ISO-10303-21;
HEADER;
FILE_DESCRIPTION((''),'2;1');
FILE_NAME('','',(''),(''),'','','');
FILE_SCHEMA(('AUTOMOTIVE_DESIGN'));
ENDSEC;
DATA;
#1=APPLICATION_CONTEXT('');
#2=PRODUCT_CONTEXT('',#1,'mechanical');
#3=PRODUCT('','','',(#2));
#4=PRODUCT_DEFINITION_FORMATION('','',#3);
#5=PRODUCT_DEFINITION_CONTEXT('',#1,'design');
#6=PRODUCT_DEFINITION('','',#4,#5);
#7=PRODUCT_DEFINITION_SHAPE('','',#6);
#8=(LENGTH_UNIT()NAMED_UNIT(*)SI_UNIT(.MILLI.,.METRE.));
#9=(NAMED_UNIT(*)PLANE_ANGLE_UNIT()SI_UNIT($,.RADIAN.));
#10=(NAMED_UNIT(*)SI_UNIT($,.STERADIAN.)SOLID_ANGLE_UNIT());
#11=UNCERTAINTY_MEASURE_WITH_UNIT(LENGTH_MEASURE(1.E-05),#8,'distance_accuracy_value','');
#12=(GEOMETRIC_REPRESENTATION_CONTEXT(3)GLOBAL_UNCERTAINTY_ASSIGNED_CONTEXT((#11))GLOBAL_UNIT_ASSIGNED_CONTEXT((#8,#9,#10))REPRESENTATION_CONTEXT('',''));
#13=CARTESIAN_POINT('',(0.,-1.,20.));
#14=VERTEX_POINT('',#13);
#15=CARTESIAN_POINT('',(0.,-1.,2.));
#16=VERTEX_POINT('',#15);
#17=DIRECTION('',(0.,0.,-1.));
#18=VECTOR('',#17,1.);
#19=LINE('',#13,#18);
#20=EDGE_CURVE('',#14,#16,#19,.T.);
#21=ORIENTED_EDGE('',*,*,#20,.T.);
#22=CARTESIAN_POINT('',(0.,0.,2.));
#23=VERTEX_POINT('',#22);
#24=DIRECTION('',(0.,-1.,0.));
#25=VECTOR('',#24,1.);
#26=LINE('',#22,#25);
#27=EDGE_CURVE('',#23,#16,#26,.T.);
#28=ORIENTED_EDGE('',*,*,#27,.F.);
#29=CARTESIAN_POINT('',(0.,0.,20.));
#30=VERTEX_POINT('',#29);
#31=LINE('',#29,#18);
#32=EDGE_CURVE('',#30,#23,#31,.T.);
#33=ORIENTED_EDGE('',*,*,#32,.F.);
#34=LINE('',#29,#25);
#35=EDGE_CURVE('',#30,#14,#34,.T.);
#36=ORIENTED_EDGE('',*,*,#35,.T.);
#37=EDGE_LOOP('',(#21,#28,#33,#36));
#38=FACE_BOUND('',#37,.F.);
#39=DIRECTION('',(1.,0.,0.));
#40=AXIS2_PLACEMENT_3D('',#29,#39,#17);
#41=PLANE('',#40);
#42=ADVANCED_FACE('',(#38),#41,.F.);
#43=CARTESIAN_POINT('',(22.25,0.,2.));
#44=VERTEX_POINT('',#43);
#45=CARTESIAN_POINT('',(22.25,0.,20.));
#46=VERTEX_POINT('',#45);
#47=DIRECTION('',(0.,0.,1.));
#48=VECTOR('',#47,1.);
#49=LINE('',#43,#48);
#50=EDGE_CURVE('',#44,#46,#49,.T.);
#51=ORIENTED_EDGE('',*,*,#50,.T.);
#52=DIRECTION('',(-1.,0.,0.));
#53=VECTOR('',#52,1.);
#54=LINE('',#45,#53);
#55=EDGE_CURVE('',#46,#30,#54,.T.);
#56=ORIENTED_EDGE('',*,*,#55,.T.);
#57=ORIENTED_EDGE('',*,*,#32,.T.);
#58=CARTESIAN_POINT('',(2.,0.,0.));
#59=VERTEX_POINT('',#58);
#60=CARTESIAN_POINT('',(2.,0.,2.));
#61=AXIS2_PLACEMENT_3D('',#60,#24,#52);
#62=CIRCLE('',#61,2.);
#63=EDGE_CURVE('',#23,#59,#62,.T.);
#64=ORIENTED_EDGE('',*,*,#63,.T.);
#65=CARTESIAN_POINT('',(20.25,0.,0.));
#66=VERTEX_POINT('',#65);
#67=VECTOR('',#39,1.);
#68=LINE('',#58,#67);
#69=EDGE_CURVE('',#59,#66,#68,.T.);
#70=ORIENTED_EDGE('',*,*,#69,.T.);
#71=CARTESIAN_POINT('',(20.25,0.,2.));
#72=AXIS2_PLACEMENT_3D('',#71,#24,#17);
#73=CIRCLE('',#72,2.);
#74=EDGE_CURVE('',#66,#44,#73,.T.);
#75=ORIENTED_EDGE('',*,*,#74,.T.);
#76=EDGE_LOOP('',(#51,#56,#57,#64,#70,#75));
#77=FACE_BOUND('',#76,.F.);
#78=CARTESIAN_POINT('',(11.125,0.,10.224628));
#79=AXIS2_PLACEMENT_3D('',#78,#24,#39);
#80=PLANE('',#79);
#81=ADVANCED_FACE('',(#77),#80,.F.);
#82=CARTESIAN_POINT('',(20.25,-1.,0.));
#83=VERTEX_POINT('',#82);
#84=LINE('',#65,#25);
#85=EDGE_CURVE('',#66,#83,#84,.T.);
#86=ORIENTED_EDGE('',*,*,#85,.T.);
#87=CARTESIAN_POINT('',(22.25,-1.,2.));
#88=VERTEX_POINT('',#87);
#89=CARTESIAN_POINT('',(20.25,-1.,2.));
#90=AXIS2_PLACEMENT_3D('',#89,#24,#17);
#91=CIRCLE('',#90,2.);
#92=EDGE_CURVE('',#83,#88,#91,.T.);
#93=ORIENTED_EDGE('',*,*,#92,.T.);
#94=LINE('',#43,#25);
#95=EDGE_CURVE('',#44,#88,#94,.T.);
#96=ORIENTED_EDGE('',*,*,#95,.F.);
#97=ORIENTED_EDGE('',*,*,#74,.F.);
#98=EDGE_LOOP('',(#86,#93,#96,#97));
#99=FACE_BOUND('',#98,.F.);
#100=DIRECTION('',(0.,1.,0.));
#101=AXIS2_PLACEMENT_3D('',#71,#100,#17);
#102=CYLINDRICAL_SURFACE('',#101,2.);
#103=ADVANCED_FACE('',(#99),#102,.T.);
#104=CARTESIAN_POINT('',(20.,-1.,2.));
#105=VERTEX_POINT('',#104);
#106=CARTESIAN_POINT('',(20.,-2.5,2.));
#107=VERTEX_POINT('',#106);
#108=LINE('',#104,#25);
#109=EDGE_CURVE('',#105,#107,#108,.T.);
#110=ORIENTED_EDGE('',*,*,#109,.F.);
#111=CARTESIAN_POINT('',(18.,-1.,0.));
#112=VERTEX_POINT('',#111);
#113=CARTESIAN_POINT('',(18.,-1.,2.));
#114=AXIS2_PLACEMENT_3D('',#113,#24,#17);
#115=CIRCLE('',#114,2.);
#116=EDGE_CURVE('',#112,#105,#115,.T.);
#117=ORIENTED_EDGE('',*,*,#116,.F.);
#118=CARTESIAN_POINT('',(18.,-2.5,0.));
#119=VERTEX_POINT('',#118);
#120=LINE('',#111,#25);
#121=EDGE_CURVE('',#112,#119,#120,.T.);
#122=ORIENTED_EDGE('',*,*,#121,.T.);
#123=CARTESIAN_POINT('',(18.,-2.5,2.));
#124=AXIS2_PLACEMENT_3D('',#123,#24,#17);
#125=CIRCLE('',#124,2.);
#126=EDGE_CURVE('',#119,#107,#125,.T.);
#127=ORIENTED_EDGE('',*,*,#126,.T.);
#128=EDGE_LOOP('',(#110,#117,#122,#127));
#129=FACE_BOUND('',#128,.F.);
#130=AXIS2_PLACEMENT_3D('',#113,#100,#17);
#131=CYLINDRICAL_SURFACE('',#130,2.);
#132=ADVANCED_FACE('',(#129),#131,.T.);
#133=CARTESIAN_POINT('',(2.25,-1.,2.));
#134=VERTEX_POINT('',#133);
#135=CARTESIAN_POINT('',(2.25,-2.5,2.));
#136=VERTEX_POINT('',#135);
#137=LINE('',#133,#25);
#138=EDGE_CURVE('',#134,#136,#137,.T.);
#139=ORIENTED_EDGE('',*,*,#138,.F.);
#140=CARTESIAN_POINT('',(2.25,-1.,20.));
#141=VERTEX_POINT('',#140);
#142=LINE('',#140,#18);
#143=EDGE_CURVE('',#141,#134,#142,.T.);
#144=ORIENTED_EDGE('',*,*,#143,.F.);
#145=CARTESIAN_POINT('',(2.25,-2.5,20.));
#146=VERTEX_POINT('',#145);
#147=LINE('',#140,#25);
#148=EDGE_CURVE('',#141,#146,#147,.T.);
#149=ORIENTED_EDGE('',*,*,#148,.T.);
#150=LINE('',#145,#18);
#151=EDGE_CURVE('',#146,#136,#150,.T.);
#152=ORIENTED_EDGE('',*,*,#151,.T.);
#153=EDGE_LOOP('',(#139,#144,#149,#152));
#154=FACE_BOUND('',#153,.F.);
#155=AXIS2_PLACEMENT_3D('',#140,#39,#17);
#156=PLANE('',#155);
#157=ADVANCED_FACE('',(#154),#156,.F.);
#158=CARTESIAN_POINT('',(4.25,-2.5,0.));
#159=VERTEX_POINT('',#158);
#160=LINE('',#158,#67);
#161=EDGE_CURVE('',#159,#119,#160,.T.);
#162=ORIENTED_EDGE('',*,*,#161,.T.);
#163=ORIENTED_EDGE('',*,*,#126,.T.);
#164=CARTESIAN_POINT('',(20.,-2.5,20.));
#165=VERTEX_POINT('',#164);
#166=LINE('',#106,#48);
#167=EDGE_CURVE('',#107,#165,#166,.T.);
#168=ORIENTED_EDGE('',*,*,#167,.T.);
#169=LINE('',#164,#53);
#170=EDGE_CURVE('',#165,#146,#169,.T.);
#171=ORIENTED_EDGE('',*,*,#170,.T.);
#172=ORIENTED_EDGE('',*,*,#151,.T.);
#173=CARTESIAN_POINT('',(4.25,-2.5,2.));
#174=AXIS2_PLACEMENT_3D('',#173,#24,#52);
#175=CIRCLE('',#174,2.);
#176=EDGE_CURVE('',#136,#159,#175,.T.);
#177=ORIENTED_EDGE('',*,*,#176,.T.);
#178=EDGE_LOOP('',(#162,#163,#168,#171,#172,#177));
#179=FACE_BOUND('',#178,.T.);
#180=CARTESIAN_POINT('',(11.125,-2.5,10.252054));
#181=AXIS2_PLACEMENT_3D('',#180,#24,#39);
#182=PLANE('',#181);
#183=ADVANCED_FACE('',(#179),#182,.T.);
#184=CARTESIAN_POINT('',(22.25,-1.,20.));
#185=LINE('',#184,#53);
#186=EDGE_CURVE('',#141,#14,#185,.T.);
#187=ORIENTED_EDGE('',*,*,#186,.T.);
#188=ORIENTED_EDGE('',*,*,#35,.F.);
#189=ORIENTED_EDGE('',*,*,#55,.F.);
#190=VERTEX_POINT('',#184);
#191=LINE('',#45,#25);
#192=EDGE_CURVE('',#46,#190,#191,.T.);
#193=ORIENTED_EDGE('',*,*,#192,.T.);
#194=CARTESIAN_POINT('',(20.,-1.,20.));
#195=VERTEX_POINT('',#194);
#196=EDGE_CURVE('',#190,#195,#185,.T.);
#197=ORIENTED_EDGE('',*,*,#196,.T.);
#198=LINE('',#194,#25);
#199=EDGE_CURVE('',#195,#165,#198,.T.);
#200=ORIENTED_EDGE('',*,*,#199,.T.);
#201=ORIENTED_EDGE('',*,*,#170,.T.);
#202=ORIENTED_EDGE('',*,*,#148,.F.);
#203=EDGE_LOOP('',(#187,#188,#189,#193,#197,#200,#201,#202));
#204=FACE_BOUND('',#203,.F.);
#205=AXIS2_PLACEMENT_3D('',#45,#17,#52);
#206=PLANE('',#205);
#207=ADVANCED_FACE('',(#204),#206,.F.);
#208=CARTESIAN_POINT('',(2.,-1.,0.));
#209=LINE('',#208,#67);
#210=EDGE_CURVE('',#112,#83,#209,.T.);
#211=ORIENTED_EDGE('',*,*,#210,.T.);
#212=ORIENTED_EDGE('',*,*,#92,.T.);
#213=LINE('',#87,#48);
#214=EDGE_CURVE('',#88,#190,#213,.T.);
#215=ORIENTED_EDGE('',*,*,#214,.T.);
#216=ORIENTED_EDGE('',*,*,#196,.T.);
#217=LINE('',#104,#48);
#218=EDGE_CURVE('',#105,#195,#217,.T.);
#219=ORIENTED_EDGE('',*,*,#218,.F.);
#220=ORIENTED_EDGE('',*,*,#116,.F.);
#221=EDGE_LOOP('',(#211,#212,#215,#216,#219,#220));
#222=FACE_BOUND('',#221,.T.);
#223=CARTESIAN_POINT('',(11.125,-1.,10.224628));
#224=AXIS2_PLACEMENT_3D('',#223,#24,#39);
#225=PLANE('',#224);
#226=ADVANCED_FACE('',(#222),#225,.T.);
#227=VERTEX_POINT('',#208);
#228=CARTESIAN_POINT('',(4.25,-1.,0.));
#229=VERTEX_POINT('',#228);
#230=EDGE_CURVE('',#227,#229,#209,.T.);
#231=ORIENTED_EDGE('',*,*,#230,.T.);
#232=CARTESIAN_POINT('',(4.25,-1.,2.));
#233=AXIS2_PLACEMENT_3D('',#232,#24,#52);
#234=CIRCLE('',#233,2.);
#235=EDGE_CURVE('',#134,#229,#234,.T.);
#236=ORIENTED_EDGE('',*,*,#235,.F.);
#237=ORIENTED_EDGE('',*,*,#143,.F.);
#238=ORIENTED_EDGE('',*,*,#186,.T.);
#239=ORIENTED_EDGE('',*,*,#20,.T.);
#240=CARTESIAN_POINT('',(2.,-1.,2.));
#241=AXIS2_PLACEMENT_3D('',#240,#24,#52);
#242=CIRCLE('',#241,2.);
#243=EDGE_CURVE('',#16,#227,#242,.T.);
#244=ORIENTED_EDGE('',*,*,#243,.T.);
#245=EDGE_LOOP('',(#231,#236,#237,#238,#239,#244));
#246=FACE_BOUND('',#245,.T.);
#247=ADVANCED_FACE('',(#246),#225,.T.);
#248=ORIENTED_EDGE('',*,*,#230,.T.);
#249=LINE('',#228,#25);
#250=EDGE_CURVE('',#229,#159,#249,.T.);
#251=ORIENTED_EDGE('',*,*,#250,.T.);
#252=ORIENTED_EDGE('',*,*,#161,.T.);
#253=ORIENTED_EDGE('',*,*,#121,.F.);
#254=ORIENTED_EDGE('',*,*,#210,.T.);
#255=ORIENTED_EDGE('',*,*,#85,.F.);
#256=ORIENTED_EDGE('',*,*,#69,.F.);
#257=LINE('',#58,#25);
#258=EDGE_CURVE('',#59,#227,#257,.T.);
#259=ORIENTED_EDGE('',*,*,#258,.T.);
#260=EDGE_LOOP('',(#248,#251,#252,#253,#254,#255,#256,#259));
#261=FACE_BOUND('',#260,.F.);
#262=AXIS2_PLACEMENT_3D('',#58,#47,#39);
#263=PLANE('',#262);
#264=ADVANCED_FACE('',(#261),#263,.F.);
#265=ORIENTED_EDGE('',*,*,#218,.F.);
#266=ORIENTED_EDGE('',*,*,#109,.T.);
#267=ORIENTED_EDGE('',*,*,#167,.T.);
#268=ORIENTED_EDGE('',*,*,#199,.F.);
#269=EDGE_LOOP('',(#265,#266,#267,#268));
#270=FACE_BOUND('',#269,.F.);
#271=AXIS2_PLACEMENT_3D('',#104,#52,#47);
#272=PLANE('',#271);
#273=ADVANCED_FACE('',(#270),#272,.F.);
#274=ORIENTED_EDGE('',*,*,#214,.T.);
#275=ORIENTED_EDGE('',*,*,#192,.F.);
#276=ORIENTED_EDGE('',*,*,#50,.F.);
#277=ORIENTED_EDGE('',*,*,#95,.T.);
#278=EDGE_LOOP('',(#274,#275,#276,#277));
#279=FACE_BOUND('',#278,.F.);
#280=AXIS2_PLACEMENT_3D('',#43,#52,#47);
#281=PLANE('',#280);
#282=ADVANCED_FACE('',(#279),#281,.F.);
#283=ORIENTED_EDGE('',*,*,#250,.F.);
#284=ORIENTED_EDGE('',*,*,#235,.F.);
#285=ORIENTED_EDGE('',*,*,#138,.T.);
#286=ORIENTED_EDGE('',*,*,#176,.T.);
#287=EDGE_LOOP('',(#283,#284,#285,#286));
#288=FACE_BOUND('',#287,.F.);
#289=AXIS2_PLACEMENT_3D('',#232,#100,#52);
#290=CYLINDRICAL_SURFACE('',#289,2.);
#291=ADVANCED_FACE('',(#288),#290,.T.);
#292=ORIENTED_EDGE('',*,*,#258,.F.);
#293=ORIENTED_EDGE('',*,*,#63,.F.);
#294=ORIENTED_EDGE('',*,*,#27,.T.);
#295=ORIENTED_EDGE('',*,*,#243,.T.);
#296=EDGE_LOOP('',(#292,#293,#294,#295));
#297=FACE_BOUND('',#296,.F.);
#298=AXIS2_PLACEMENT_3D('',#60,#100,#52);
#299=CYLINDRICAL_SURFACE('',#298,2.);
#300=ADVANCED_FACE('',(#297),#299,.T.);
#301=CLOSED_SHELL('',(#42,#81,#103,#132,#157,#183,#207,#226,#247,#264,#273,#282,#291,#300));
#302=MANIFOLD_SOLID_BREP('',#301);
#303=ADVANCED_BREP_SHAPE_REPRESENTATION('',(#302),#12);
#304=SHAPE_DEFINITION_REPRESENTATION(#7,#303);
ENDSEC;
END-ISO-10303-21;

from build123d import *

# Parameters (mm, degrees)
F1_DEPTH = 1
F3_DEPTH = 1.5


with BuildPart() as f1:
    # F0 (on Front) → F1 (new body)
    with BuildSketch(Plane.XZ):
        with BuildLine():
            ThreePointArc((0, 2), (0.5857864376, 0.5857864376), (2, 0))
            Line((2, 0), (20.25, 0))
            ThreePointArc((20.25, 0), (21.6642135624, 0.5857864376), (22.25, 2))
            Line((22.25, 2), (22.25, 20))
            Line((22.25, 20), (0, 20))
            Line((0, 20), (0, 2))
        make_face()
    extrude(amount=F1_DEPTH)

    # F2 (on face) → F3 (join)
    with BuildSketch(Plane.XZ.offset(1)):
        with BuildLine():
            Line((20, 20), (2.25, 20))
            Line((2.25, 20), (2.25, 2))
            ThreePointArc((2.25, 2), (2.8357864376, 0.5857864376), (4.25, 0))
            Line((4.25, 0), (18, 0))
            ThreePointArc((18, 0), (19.4142135624, 0.5857864376), (20, 2))
            Line((20, 2), (20, 20))
        make_face()
    extrude(amount=F3_DEPTH)


solid = f1.part
